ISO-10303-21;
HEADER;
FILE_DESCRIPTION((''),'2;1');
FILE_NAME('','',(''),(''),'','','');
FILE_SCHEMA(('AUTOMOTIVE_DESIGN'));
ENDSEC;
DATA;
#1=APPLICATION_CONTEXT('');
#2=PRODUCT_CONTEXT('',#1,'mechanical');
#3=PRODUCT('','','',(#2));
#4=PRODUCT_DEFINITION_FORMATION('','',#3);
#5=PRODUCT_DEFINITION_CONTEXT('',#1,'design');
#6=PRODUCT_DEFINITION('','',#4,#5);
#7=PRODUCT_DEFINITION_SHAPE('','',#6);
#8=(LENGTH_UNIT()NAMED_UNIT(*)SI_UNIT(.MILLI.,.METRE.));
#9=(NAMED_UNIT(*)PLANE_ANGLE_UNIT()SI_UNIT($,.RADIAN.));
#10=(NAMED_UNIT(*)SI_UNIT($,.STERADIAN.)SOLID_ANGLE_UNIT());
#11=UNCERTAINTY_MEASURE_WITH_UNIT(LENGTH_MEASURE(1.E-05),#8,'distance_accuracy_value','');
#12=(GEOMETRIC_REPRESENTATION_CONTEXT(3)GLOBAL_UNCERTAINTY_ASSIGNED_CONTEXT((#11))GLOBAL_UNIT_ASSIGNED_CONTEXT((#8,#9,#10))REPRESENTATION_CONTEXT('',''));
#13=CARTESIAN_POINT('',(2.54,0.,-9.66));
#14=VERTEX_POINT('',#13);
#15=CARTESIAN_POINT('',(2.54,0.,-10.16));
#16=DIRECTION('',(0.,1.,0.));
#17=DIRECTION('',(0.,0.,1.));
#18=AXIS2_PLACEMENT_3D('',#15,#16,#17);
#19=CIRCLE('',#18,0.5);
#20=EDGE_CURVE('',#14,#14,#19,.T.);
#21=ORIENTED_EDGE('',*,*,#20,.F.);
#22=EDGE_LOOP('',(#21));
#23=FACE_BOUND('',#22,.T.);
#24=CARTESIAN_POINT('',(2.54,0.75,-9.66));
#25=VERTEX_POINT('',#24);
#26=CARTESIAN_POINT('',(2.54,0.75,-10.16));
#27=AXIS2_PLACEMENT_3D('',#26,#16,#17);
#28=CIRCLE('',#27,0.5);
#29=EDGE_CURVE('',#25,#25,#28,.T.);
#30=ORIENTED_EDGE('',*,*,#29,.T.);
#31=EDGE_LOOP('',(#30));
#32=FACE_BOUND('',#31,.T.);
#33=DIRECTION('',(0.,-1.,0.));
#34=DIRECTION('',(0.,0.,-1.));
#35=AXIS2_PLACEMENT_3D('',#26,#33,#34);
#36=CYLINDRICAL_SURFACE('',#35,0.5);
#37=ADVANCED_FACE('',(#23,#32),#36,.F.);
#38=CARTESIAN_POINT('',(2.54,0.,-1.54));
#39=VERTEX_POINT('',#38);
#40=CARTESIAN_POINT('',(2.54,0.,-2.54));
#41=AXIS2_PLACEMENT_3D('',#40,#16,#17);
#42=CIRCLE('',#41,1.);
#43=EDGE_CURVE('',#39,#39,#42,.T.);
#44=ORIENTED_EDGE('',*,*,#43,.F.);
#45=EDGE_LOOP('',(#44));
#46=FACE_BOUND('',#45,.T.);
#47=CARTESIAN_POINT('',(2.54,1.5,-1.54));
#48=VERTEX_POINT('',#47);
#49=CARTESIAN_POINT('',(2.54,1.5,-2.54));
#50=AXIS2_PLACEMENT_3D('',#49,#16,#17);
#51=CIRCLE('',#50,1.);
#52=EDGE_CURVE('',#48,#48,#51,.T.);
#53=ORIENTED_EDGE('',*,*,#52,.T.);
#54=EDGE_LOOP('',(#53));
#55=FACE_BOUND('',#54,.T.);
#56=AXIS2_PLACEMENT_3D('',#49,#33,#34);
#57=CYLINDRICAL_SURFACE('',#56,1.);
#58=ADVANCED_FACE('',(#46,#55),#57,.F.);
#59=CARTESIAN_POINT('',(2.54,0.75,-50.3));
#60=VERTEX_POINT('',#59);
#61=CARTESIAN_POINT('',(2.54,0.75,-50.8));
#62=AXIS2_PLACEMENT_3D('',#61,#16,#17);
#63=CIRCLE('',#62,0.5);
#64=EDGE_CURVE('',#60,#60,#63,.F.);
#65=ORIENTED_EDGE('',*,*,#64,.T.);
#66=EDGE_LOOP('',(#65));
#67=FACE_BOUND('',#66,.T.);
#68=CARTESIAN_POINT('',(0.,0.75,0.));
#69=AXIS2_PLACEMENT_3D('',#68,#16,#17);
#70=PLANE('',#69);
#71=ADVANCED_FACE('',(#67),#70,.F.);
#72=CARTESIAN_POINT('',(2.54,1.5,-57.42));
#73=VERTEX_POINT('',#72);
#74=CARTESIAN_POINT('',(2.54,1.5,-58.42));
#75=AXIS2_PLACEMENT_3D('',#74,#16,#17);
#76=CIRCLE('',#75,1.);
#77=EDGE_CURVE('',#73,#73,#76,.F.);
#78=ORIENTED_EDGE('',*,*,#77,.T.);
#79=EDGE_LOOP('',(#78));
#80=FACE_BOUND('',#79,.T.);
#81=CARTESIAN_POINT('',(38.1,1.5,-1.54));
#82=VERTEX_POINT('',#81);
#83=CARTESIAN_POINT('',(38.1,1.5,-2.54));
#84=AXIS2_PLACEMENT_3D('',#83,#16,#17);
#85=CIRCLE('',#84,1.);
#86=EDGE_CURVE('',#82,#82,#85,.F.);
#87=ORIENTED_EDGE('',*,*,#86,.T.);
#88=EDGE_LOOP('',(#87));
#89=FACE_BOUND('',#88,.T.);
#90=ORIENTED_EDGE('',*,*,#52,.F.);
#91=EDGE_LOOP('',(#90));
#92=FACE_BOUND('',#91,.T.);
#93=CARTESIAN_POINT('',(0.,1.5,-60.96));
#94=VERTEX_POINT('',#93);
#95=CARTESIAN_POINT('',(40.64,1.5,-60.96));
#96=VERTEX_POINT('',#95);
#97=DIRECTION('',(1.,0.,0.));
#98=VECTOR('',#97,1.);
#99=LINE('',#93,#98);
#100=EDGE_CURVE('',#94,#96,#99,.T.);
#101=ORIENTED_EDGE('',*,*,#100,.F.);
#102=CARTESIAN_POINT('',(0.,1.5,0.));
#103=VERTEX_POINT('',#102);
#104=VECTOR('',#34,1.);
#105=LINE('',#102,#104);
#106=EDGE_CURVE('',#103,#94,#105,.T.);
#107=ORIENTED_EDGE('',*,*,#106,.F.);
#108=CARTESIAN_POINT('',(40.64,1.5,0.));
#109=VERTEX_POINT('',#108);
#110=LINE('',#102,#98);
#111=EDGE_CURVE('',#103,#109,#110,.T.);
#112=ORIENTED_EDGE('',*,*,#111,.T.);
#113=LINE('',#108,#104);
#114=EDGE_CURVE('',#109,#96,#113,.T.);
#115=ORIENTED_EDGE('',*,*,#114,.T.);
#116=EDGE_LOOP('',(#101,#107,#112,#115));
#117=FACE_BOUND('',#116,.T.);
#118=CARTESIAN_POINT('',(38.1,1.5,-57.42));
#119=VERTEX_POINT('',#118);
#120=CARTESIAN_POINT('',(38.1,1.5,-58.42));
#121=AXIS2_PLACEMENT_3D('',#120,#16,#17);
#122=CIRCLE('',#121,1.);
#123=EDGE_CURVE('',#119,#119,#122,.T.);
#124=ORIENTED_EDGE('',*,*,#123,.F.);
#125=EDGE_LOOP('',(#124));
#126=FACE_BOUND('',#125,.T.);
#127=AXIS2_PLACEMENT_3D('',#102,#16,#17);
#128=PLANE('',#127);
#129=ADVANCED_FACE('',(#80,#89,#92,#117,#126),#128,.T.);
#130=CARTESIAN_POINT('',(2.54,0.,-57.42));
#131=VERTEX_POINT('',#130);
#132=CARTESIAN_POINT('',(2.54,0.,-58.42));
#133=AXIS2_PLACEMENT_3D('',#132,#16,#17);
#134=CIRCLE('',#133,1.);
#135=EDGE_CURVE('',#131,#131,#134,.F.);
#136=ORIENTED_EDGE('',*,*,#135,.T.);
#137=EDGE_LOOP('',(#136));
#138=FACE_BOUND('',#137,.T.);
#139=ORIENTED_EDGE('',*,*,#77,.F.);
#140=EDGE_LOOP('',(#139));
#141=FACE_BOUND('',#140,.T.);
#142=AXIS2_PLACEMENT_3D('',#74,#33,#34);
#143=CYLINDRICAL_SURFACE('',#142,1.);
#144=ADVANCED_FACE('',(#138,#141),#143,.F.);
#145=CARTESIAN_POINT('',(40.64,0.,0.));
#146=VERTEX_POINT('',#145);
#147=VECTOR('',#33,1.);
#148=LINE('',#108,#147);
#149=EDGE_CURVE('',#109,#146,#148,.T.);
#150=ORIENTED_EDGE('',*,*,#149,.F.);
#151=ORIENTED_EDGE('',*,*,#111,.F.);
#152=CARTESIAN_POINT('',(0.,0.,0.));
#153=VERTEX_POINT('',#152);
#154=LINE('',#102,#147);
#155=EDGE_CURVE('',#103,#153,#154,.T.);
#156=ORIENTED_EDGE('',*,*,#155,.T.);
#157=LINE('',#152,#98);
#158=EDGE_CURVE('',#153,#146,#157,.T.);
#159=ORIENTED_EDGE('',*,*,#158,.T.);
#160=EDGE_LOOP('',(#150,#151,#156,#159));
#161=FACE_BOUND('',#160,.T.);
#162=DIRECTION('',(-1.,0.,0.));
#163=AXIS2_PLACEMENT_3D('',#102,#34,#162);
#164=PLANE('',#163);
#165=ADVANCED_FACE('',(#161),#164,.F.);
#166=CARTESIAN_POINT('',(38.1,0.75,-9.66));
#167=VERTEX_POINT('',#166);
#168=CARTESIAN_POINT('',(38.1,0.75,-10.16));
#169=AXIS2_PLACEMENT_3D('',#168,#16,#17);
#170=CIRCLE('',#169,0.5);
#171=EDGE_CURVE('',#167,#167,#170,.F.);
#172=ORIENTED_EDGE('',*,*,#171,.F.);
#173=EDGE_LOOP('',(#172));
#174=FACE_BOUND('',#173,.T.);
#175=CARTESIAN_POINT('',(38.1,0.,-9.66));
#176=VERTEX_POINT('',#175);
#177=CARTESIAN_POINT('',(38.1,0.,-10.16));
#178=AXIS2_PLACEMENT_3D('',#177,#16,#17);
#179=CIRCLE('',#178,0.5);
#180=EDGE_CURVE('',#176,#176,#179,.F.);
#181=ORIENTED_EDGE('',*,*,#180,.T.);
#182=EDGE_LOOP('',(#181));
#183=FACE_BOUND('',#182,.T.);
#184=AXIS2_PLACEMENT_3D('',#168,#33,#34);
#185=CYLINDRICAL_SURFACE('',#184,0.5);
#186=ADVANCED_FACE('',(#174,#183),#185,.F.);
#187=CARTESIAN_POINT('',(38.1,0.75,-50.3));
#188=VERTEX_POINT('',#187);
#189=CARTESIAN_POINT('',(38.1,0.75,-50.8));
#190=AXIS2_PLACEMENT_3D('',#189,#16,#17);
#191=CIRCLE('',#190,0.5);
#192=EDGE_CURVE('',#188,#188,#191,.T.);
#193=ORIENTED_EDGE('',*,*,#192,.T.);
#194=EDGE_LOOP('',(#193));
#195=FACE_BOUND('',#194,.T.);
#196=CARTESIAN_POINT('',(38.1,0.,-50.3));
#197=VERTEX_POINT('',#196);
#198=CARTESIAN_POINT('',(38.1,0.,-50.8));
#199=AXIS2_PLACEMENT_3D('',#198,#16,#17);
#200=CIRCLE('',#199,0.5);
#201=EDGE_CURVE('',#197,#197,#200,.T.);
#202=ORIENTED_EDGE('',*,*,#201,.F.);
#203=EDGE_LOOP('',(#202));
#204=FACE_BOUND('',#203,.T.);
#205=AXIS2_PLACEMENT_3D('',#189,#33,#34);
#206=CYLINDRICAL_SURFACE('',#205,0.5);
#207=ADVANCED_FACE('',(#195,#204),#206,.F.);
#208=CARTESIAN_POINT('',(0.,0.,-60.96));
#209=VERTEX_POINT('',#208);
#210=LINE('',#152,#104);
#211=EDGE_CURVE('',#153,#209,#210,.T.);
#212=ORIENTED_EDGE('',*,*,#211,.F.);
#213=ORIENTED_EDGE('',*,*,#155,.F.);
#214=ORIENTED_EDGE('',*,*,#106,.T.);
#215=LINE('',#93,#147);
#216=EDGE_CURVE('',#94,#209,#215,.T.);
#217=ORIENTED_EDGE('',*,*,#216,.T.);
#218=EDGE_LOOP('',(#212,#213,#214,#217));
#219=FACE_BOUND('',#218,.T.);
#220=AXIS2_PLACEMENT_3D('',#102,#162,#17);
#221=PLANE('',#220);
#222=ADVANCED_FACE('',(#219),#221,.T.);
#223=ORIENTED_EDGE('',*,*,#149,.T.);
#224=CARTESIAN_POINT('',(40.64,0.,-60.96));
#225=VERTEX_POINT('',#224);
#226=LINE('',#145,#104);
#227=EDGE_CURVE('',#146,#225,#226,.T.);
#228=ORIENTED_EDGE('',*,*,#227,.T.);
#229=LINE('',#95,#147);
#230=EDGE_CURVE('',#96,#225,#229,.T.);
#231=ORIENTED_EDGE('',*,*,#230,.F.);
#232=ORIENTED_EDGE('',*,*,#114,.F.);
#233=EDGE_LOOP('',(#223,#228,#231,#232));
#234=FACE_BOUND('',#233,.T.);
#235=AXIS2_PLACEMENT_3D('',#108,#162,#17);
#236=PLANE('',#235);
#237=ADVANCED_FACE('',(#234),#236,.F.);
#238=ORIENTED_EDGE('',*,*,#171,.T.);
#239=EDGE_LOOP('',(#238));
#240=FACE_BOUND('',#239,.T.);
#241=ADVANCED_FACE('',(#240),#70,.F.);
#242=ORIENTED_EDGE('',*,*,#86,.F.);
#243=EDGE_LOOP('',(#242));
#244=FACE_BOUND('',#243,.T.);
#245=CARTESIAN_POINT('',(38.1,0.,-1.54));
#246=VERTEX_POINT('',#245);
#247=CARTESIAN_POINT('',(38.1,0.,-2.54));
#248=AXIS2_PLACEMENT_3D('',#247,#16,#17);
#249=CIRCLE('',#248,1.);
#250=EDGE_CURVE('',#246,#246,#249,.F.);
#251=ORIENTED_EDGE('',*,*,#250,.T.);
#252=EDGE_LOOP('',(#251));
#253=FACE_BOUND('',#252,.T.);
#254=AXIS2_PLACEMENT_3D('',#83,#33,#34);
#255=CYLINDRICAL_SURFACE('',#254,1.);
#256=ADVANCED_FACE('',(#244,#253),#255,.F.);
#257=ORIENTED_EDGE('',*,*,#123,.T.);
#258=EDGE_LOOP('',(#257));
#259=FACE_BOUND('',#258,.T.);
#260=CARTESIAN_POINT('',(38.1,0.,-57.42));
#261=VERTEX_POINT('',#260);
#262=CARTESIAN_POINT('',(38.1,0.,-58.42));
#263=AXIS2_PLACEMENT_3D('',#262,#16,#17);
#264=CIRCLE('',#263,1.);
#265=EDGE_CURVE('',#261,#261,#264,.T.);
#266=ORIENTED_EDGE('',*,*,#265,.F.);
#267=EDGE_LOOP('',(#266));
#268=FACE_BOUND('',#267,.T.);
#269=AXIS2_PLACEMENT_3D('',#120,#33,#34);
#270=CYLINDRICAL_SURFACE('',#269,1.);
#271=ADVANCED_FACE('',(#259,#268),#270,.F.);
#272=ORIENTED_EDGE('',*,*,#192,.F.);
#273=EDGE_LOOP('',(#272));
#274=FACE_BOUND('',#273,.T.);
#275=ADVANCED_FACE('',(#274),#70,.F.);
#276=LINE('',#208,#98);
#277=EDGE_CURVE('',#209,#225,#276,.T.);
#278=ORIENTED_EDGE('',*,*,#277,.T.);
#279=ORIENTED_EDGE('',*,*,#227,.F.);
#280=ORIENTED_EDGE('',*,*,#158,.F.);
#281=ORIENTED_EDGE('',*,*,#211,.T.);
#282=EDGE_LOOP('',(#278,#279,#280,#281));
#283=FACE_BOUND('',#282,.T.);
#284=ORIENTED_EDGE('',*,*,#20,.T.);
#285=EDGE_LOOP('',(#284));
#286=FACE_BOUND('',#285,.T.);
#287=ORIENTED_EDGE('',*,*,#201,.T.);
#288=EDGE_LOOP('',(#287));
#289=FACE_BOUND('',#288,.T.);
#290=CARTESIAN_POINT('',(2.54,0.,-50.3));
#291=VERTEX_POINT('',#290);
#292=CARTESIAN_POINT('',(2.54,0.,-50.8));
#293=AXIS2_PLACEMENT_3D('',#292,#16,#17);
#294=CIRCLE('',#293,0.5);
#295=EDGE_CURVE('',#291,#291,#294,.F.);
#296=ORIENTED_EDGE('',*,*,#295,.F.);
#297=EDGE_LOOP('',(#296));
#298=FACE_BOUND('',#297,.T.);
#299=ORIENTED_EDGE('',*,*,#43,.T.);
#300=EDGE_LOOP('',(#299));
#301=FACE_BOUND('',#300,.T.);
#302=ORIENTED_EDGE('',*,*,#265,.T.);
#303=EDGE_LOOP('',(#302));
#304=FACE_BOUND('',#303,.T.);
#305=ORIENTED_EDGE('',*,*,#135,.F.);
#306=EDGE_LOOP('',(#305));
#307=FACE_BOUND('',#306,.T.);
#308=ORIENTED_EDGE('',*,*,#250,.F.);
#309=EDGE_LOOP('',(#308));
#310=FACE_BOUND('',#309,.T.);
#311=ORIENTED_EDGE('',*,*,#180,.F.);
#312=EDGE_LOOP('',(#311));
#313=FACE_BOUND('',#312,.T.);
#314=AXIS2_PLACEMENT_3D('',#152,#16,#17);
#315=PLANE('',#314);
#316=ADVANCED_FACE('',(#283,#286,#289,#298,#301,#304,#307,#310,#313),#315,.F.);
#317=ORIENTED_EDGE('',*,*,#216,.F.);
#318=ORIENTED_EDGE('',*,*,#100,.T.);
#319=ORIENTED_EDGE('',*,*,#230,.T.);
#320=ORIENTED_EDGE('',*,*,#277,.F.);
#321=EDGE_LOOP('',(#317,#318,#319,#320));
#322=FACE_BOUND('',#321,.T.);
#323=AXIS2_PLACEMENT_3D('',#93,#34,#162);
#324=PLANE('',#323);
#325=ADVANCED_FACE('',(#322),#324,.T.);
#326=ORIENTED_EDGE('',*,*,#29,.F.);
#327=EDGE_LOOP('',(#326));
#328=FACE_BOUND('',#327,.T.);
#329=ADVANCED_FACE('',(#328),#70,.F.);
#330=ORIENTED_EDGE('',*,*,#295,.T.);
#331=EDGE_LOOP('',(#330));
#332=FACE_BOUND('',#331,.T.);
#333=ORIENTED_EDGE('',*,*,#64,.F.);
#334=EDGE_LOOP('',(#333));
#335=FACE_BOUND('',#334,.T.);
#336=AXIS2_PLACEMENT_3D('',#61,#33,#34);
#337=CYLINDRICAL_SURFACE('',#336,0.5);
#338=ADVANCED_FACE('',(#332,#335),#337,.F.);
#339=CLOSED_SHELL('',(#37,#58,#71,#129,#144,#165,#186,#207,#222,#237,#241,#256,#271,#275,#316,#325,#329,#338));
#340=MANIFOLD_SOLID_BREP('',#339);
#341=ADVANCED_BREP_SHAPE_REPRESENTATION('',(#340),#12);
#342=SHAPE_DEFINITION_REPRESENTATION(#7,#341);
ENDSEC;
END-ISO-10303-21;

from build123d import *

# Parameters (mm, degrees)
SKETCH1_W           = 40.64
SKETCH1_H           = 60.96
SKETCH1_R           = 1
SKETCH1_R_2         = 0.5
BOSS_EXTRUDE1_DEPTH = 1.5
SKETCH1_5_R         = 0.5
CUT_EXTRUDE1_DEPTH  = 0.75


with BuildPart() as part:
    # Sketch1 → Boss-Extrude1 (new body)
    with BuildSketch(Plane(origin=(0, 0, 0), x_dir=(1, 0, 0), z_dir=(0, 1, 0))):
        with Locations((20.32, 30.48)):
            Rectangle(SKETCH1_W, SKETCH1_H)
        with Locations(Location((38.1, 58.42, 0), (0, 0, 270))):  # turned: the seam where the file's is
            Circle(SKETCH1_R, mode=Mode.SUBTRACT)
        with Locations((38.1, 50.8)):
            Circle(SKETCH1_R_2, mode=Mode.SUBTRACT)
        with Locations(Location((38.1, 2.54, 0), (0, 0, 270))):  # turned: the seam where the file's is
            Circle(SKETCH1_R, mode=Mode.SUBTRACT)
        with Locations(Location((2.54, 58.42, 0), (0, 0, 270))):  # turned: the seam where the file's is
            Circle(SKETCH1_R, mode=Mode.SUBTRACT)
        with Locations((2.54, 10.16)):
            Circle(SKETCH1_R_2, mode=Mode.SUBTRACT)
        with Locations(Location((2.54, 2.54, 0), (0, 0, 270))):  # turned: the seam where the file's is
            Circle(SKETCH1_R, mode=Mode.SUBTRACT)
        with Locations((2.54, 50.8)):
            Circle(SKETCH1_R_2, mode=Mode.SUBTRACT)
        with Locations((38.1, 10.16)):
            Circle(SKETCH1_R_2, mode=Mode.SUBTRACT)
        with Locations((2.54, 10.16)):
            Circle(SKETCH1_R_2)
        with Locations((38.1, 10.16)):
            Circle(SKETCH1_R_2)
        with Locations((38.1, 50.8)):
            Circle(SKETCH1_R_2)
        with Locations((2.54, 50.8)):
            Circle(SKETCH1_R_2)
    extrude(amount=BOSS_EXTRUDE1_DEPTH)

    # Sketch1_5 → Cut-Extrude1 (cut)
    with BuildSketch(Plane(origin=(0, 0, 0), x_dir=(1, 0, 0), z_dir=(0, 1, 0))):
        with Locations(Location((2.54, 50.8, 0), (0, 0, 270))):  # turned: the seam where the file's is
            Circle(SKETCH1_5_R)
        with Locations(Location((38.1, 50.8, 0), (0, 0, 270))):  # turned: the seam where the file's is
            Circle(SKETCH1_5_R)
        with Locations(Location((38.1, 10.16, 0), (0, 0, 270))):  # turned: the seam where the file's is
            Circle(SKETCH1_5_R)
        with Locations(Location((2.54, 10.16, 0), (0, 0, 270))):  # turned: the seam where the file's is
            Circle(SKETCH1_5_R)
    extrude(amount=CUT_EXTRUDE1_DEPTH, mode=Mode.SUBTRACT)


solid = part.part
